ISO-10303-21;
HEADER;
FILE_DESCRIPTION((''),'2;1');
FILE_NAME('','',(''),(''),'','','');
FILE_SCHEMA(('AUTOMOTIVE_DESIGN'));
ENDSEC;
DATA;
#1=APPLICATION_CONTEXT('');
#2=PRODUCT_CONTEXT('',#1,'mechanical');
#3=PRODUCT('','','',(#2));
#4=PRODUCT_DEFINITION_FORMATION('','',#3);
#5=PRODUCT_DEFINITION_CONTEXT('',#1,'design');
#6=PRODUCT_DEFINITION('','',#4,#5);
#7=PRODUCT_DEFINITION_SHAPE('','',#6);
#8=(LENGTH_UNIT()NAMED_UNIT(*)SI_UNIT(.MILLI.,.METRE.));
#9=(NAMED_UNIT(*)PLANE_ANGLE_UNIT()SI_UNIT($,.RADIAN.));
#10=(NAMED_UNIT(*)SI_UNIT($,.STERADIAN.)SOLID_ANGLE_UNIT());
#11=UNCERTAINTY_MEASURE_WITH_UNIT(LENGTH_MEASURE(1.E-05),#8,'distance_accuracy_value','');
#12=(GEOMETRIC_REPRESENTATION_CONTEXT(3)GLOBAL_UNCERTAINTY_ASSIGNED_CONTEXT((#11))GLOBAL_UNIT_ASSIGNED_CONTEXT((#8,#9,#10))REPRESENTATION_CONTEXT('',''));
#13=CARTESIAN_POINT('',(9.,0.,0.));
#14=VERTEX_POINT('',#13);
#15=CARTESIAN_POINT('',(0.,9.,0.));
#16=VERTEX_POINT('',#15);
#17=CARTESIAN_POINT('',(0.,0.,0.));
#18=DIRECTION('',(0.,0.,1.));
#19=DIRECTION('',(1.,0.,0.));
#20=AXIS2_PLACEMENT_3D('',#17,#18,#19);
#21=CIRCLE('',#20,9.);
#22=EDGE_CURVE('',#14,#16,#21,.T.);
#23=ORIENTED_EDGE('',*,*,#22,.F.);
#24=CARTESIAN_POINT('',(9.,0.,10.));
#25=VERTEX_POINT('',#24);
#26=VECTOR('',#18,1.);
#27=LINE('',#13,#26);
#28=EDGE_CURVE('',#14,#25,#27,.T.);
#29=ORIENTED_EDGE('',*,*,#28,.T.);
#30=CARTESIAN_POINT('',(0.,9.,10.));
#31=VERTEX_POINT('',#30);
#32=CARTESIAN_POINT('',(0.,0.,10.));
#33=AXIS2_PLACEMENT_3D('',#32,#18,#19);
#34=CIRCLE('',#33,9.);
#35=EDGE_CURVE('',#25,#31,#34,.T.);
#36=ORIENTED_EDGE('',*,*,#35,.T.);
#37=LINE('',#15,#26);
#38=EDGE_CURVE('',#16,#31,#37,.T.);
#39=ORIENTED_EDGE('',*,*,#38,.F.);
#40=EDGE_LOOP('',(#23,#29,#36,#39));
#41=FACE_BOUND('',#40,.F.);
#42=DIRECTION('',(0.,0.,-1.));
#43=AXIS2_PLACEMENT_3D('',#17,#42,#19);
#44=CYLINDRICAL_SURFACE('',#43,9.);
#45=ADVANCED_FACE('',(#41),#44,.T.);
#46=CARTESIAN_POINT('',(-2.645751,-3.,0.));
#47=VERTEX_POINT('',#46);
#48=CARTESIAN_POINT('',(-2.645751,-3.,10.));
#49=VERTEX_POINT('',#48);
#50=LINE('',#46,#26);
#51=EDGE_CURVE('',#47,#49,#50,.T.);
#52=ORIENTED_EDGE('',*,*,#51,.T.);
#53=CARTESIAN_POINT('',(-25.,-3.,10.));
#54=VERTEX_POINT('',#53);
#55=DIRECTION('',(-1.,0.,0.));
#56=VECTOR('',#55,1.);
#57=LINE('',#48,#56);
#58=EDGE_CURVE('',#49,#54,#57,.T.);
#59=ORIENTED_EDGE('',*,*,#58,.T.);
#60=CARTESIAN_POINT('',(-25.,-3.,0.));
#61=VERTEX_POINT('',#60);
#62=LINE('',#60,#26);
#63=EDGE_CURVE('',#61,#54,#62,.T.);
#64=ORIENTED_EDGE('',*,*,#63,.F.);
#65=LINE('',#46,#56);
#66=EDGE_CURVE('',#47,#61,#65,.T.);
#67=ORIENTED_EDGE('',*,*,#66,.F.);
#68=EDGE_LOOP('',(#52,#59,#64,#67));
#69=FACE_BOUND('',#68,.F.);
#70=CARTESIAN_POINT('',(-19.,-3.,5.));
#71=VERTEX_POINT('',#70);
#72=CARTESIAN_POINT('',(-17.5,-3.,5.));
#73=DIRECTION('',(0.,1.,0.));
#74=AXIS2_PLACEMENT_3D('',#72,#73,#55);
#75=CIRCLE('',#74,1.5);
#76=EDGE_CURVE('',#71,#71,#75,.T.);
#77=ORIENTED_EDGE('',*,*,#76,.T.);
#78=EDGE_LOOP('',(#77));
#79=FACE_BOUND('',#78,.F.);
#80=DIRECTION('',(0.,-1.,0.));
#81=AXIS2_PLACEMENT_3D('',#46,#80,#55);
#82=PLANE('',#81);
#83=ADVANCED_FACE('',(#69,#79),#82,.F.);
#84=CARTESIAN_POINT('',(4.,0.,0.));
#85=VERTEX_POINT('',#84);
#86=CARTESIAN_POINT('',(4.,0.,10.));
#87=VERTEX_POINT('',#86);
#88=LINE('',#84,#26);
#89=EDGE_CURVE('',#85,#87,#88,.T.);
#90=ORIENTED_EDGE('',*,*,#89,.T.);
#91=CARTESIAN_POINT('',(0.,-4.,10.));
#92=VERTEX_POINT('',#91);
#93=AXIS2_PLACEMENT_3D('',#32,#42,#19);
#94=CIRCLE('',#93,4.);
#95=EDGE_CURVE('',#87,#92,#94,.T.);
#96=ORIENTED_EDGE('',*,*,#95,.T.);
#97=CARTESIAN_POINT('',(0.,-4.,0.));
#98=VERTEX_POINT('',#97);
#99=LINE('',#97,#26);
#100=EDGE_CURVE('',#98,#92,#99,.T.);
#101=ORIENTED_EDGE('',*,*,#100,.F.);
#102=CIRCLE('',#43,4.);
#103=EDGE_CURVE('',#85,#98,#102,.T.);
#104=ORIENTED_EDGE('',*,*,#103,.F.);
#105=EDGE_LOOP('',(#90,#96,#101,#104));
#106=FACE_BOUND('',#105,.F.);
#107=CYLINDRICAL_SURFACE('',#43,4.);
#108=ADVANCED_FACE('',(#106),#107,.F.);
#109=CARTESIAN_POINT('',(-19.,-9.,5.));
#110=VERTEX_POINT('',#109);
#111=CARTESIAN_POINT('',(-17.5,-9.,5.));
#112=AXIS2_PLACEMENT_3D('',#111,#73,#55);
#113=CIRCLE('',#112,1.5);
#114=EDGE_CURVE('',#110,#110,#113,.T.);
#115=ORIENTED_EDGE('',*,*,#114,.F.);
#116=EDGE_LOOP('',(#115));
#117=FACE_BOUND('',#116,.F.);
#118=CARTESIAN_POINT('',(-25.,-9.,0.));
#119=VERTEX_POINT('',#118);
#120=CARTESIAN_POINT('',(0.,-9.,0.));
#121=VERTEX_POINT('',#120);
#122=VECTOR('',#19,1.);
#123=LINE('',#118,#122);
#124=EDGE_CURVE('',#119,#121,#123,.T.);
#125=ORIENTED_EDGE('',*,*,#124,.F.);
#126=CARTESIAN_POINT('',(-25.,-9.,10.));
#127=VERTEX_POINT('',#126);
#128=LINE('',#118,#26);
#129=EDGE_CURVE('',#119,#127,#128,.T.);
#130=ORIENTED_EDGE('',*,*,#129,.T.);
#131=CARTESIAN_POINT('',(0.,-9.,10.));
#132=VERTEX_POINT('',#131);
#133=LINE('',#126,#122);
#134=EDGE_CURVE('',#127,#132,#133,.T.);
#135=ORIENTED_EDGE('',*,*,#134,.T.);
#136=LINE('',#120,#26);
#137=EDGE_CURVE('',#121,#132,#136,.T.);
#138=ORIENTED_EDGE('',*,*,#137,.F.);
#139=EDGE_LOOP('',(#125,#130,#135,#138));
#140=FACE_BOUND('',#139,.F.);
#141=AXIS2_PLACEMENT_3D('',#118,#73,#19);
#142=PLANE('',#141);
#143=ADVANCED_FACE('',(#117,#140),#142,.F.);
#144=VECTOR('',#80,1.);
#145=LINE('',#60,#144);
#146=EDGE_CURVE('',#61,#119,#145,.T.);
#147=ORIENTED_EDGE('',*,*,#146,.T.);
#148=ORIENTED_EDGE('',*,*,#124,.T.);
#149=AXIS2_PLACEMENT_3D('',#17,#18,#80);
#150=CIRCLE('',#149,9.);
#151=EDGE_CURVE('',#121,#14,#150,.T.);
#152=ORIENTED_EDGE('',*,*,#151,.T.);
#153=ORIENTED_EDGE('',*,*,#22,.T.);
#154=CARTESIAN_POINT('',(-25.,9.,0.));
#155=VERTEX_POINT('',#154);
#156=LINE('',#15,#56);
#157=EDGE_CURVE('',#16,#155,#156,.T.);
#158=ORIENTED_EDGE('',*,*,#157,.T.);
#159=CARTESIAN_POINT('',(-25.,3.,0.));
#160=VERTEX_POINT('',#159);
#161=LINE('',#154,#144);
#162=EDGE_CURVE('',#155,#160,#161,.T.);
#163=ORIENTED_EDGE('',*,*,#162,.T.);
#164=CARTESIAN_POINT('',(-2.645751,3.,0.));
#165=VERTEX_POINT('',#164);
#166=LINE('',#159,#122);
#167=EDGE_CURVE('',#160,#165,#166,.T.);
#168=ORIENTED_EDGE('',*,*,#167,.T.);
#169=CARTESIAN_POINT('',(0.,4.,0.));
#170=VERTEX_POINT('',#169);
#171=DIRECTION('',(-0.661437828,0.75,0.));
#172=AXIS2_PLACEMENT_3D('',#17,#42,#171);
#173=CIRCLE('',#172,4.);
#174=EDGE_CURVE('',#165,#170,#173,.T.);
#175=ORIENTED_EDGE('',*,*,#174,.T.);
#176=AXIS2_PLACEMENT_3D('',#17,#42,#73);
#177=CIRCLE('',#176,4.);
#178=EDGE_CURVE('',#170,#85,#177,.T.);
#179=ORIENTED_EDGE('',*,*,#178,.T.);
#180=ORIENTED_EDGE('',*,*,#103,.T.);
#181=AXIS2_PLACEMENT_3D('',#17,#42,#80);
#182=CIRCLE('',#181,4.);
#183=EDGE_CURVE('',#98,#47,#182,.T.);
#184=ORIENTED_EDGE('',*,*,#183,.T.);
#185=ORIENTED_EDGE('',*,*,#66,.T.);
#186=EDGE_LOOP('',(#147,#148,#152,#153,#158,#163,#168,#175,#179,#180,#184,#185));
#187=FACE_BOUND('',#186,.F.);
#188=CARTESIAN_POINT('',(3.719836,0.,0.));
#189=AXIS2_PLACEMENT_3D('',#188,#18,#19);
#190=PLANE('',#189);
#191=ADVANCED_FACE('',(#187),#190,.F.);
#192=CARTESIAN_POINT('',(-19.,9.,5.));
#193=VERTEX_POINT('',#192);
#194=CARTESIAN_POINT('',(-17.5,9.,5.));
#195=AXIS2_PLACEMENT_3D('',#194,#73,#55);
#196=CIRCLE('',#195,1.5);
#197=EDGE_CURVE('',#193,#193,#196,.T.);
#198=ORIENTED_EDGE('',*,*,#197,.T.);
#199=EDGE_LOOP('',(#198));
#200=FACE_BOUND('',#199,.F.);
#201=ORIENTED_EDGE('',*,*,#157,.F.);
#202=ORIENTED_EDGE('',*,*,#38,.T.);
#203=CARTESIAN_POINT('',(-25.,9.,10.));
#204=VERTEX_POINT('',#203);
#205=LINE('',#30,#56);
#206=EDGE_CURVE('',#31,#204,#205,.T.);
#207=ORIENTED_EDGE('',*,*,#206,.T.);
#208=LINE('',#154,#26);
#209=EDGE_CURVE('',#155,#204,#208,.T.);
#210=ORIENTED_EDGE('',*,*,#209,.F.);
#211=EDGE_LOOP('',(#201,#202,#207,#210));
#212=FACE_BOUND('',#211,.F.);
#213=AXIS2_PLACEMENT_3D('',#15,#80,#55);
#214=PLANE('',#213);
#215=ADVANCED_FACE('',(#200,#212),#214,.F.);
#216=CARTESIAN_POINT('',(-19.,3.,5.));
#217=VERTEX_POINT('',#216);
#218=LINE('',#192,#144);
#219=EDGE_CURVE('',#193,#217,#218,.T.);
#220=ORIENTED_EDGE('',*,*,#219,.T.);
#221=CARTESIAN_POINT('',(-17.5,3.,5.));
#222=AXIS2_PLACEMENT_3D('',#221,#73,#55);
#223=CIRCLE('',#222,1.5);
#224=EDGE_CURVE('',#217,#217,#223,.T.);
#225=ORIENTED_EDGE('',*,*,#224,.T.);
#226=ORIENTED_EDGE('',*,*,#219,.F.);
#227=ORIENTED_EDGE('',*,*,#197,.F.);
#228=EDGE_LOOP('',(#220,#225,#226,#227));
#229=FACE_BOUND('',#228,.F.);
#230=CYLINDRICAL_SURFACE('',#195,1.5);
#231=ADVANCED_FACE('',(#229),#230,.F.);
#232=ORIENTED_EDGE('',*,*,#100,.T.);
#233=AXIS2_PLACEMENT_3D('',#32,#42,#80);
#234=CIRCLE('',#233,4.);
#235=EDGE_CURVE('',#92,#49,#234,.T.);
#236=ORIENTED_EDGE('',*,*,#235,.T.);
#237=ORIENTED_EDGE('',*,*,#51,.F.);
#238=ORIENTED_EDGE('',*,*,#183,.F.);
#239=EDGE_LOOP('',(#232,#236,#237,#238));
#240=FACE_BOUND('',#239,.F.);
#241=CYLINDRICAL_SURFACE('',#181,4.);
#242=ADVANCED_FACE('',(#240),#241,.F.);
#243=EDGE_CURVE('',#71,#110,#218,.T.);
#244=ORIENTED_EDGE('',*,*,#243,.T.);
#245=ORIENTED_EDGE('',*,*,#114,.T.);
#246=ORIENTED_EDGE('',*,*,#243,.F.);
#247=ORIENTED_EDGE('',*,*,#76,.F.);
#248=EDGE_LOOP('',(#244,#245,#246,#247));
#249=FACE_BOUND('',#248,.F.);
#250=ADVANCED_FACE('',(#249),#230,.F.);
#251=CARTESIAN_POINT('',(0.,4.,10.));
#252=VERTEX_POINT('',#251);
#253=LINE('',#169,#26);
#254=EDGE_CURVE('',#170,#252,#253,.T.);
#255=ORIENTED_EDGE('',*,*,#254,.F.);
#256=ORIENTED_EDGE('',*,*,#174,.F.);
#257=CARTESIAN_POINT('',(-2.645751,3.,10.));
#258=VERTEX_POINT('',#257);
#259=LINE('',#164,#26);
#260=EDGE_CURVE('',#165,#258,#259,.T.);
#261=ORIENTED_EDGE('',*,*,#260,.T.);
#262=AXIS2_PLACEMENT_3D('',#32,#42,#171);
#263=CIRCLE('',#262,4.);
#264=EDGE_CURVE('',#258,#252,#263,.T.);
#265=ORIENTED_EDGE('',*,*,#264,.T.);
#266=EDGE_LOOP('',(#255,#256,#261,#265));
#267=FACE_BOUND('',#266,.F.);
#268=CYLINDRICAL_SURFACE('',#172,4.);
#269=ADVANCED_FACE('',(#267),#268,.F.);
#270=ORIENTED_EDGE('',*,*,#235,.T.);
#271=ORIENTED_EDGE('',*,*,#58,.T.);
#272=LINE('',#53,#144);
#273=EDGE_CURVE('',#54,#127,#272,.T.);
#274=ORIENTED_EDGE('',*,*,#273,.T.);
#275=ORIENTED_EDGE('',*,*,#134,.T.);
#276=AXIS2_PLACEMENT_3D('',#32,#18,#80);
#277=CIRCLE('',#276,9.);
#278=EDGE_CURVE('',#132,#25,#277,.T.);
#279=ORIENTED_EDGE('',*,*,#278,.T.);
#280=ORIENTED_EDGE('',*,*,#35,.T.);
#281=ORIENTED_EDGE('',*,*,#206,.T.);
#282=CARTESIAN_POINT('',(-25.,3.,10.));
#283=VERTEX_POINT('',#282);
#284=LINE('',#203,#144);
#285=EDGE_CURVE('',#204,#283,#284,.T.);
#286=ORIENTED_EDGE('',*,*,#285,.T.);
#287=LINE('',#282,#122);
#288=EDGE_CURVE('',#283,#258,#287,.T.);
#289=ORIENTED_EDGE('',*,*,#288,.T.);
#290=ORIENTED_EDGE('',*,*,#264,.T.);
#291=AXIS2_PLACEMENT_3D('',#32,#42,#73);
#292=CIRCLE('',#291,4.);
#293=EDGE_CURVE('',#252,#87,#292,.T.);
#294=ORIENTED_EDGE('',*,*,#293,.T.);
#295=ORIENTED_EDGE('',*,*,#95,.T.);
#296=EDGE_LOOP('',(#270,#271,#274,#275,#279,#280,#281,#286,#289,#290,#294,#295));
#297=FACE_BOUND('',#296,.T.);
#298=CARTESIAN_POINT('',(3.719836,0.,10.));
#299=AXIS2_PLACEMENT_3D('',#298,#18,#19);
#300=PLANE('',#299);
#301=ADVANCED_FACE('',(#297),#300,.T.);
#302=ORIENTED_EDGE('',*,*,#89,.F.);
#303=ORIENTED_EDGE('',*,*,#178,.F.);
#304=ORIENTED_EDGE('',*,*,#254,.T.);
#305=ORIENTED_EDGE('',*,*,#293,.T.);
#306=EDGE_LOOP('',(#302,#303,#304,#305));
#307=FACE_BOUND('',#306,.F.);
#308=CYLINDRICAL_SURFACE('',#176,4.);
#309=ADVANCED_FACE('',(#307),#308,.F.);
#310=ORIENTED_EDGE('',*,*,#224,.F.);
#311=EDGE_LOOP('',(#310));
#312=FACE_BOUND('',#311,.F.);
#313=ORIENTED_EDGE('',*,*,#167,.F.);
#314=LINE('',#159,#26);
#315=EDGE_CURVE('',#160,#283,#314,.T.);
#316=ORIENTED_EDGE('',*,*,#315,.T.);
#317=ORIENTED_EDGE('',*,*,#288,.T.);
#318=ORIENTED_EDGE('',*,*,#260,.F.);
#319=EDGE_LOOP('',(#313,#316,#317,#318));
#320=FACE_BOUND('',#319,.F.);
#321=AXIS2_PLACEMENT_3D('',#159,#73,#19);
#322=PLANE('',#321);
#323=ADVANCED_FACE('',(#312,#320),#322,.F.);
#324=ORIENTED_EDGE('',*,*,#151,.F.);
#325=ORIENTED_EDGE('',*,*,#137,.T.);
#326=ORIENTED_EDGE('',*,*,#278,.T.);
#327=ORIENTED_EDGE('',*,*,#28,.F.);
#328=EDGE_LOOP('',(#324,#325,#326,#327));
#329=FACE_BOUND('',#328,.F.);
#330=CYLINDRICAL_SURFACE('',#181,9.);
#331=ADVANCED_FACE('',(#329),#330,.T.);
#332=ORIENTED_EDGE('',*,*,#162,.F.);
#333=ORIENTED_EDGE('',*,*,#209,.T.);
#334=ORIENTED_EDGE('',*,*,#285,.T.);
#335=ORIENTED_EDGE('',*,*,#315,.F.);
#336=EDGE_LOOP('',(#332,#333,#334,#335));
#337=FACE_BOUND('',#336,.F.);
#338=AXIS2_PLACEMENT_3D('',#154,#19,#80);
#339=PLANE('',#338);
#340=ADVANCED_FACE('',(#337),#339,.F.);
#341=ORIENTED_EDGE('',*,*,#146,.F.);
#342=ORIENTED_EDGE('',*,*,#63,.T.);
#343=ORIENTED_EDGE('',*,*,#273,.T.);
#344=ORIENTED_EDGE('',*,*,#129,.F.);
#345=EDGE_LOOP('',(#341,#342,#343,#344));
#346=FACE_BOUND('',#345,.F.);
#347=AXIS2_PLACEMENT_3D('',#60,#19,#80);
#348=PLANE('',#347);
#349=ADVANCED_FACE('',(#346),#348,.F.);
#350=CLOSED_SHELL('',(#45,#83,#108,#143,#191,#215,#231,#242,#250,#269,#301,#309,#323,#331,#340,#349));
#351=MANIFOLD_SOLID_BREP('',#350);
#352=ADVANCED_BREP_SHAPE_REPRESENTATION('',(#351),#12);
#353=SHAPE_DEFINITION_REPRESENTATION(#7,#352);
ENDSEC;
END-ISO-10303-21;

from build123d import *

# Parameters (mm, degrees)
F1_DEPTH = 10
F2_R     = 1.5
F3_DEPTH = 18.001


with BuildPart() as f1:
    # F0 (on Top) → F1 (new body)
    with BuildSketch(Plane.XY):
        with BuildLine():
            ThreePointArc((0, 4), (2.8284271247, 2.8284271247), (4, 0))
            ThreePointArc((4, 0), (2.8284271247, -2.8284271247), (0, -4))
            Line((0, -4), (0, -9))
            ThreePointArc((0, -9), (6.3639610307, -6.3639610307), (9, 0))
            ThreePointArc((9, 0), (6.3639610307, 6.3639610307), (0, 9))
            Line((0, 9), (0, 4))
        make_face()
        with BuildLine():
            ThreePointArc((-2.6457513111, 3), (-1.4142135624, 3.7416573868), (0, 4))
            Line((0, 4), (0, 9))
            ThreePointArc((0, 9), (-5.1961524227, 7.3484692283), (-8.4852813742, 3))
            Line((-8.4852813742, 3), (-2.6457513111, 3))
        make_face()
        with BuildLine():
            ThreePointArc((-8.4852813742, 3), (-5.1961524227, 7.3484692283), (0, 9))
            Line((0, 9), (-25, 9))
            Line((-25, 9), (-25, 3))
            Line((-25, 3), (-8.4852813742, 3))
        make_face()
        with BuildLine():
            Line((-25, -9), (0, -9))
            ThreePointArc((0, -9), (-5.1961524227, -7.3484692283), (-8.4852813742, -3))
            Line((-8.4852813742, -3), (-25, -3))
            Line((-25, -3), (-25, -9))
        make_face()
        with BuildLine():
            Line((0, -9), (0, -4))
            ThreePointArc((0, -4), (-1.4142135624, -3.7416573868), (-2.6457513111, -3))
            Line((-2.6457513111, -3), (-8.4852813742, -3))
            ThreePointArc((-8.4852813742, -3), (-5.1961524227, -7.3484692283), (0, -9))
        make_face()
    extrude(amount=F1_DEPTH)

    # F2 (on face) → F3 (cut, through all)
    with BuildSketch(Plane(origin=(0, 9, 0), x_dir=(-1, 0, 0), z_dir=(0, 1, 0))):
        with Locations((17.5, 5)):
            Circle(F2_R)
    extrude(amount=-F3_DEPTH, mode=Mode.SUBTRACT)


solid = f1.part
